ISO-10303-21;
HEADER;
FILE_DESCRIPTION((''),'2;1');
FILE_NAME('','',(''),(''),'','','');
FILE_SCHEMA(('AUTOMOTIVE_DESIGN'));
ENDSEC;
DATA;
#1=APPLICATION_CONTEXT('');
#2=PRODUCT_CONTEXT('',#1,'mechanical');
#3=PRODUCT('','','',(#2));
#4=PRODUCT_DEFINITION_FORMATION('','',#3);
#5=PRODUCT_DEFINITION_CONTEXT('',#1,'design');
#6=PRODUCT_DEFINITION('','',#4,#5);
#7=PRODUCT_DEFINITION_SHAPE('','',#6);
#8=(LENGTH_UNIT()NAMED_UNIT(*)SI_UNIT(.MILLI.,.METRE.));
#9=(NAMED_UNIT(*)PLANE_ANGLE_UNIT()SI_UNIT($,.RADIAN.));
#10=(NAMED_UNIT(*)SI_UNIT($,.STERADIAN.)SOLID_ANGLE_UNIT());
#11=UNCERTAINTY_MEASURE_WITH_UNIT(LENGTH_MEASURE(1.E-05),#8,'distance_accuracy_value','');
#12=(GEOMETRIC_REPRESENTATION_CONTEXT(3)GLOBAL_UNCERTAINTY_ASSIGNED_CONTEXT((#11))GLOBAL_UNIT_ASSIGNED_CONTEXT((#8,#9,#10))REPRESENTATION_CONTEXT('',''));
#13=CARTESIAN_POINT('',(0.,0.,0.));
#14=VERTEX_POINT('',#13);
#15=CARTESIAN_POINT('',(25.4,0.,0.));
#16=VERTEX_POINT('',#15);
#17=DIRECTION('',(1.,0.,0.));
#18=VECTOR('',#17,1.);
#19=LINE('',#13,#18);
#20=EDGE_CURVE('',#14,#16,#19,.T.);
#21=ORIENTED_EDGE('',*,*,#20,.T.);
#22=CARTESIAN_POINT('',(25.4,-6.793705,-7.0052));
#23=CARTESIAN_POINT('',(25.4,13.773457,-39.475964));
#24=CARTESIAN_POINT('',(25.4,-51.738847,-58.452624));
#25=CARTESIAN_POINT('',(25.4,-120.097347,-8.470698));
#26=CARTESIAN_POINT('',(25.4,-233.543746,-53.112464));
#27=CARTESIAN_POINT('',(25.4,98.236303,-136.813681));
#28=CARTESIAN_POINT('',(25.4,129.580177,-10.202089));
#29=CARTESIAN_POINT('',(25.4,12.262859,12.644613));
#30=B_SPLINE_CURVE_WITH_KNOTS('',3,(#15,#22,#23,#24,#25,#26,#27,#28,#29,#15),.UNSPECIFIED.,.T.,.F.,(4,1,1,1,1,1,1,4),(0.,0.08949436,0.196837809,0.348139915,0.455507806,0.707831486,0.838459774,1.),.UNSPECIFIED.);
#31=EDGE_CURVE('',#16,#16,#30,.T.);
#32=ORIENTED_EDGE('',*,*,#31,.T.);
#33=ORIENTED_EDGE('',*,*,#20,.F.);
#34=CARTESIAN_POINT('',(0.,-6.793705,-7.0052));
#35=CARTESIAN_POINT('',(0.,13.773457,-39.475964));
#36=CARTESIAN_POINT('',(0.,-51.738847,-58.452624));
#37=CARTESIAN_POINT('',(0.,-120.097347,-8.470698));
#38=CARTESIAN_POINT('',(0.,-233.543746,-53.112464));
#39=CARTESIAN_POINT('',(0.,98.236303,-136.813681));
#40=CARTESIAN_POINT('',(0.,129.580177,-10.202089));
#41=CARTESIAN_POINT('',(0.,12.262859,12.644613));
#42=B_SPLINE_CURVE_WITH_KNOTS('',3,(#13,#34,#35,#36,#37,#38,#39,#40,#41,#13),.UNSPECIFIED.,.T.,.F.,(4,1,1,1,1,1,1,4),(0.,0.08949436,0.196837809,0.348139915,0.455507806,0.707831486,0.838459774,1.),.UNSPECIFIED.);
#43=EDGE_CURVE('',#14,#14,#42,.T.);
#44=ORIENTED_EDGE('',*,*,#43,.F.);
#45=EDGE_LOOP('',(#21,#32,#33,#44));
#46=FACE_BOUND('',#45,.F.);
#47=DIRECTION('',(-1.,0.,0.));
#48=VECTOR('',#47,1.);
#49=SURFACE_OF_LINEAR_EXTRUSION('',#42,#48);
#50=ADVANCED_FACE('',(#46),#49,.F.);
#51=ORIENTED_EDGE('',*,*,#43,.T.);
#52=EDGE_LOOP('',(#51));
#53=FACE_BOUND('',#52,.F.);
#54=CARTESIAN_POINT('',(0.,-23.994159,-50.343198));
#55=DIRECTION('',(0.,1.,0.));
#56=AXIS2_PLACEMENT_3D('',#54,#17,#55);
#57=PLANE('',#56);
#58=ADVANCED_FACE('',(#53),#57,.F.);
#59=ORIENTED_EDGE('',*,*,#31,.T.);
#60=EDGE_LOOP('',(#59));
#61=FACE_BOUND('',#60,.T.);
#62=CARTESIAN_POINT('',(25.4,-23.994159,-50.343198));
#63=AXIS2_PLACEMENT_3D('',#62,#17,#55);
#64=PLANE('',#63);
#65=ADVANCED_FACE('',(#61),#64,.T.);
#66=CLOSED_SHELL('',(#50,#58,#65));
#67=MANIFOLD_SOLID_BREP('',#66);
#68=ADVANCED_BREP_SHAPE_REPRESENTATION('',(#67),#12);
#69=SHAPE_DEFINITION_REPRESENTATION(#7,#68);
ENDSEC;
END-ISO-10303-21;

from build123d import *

# Parameters (mm, degrees)
F1_DEPTH = 25.4


with BuildPart() as f1:
    # F0 (on Right) → F1 (new body)
    with BuildSketch(Plane.YZ):
        with BuildLine():
            add(Edge.make_bspline(
                [(0, 0), (-6.7937053057, -7.0051996557), (13.7734571313, -39.4759635018), (-51.738847026, -58.4526235591), (-120.097347081, -8.4706984947), (-233.5437459605, -53.1124643701), (98.2363025764, -136.8136807752), (129.5801771577, -10.2020885312), (12.262858644, 12.6446128123), (0, 0)],
                knots=[0, 0, 0, 0, 0.0894943602, 0.1968378091, 0.3481399153, 0.4555078057, 0.7078314861, 0.8384597743, 1, 1, 1, 1], degree=3))
        make_face()
    extrude(amount=F1_DEPTH)


solid = f1.part
